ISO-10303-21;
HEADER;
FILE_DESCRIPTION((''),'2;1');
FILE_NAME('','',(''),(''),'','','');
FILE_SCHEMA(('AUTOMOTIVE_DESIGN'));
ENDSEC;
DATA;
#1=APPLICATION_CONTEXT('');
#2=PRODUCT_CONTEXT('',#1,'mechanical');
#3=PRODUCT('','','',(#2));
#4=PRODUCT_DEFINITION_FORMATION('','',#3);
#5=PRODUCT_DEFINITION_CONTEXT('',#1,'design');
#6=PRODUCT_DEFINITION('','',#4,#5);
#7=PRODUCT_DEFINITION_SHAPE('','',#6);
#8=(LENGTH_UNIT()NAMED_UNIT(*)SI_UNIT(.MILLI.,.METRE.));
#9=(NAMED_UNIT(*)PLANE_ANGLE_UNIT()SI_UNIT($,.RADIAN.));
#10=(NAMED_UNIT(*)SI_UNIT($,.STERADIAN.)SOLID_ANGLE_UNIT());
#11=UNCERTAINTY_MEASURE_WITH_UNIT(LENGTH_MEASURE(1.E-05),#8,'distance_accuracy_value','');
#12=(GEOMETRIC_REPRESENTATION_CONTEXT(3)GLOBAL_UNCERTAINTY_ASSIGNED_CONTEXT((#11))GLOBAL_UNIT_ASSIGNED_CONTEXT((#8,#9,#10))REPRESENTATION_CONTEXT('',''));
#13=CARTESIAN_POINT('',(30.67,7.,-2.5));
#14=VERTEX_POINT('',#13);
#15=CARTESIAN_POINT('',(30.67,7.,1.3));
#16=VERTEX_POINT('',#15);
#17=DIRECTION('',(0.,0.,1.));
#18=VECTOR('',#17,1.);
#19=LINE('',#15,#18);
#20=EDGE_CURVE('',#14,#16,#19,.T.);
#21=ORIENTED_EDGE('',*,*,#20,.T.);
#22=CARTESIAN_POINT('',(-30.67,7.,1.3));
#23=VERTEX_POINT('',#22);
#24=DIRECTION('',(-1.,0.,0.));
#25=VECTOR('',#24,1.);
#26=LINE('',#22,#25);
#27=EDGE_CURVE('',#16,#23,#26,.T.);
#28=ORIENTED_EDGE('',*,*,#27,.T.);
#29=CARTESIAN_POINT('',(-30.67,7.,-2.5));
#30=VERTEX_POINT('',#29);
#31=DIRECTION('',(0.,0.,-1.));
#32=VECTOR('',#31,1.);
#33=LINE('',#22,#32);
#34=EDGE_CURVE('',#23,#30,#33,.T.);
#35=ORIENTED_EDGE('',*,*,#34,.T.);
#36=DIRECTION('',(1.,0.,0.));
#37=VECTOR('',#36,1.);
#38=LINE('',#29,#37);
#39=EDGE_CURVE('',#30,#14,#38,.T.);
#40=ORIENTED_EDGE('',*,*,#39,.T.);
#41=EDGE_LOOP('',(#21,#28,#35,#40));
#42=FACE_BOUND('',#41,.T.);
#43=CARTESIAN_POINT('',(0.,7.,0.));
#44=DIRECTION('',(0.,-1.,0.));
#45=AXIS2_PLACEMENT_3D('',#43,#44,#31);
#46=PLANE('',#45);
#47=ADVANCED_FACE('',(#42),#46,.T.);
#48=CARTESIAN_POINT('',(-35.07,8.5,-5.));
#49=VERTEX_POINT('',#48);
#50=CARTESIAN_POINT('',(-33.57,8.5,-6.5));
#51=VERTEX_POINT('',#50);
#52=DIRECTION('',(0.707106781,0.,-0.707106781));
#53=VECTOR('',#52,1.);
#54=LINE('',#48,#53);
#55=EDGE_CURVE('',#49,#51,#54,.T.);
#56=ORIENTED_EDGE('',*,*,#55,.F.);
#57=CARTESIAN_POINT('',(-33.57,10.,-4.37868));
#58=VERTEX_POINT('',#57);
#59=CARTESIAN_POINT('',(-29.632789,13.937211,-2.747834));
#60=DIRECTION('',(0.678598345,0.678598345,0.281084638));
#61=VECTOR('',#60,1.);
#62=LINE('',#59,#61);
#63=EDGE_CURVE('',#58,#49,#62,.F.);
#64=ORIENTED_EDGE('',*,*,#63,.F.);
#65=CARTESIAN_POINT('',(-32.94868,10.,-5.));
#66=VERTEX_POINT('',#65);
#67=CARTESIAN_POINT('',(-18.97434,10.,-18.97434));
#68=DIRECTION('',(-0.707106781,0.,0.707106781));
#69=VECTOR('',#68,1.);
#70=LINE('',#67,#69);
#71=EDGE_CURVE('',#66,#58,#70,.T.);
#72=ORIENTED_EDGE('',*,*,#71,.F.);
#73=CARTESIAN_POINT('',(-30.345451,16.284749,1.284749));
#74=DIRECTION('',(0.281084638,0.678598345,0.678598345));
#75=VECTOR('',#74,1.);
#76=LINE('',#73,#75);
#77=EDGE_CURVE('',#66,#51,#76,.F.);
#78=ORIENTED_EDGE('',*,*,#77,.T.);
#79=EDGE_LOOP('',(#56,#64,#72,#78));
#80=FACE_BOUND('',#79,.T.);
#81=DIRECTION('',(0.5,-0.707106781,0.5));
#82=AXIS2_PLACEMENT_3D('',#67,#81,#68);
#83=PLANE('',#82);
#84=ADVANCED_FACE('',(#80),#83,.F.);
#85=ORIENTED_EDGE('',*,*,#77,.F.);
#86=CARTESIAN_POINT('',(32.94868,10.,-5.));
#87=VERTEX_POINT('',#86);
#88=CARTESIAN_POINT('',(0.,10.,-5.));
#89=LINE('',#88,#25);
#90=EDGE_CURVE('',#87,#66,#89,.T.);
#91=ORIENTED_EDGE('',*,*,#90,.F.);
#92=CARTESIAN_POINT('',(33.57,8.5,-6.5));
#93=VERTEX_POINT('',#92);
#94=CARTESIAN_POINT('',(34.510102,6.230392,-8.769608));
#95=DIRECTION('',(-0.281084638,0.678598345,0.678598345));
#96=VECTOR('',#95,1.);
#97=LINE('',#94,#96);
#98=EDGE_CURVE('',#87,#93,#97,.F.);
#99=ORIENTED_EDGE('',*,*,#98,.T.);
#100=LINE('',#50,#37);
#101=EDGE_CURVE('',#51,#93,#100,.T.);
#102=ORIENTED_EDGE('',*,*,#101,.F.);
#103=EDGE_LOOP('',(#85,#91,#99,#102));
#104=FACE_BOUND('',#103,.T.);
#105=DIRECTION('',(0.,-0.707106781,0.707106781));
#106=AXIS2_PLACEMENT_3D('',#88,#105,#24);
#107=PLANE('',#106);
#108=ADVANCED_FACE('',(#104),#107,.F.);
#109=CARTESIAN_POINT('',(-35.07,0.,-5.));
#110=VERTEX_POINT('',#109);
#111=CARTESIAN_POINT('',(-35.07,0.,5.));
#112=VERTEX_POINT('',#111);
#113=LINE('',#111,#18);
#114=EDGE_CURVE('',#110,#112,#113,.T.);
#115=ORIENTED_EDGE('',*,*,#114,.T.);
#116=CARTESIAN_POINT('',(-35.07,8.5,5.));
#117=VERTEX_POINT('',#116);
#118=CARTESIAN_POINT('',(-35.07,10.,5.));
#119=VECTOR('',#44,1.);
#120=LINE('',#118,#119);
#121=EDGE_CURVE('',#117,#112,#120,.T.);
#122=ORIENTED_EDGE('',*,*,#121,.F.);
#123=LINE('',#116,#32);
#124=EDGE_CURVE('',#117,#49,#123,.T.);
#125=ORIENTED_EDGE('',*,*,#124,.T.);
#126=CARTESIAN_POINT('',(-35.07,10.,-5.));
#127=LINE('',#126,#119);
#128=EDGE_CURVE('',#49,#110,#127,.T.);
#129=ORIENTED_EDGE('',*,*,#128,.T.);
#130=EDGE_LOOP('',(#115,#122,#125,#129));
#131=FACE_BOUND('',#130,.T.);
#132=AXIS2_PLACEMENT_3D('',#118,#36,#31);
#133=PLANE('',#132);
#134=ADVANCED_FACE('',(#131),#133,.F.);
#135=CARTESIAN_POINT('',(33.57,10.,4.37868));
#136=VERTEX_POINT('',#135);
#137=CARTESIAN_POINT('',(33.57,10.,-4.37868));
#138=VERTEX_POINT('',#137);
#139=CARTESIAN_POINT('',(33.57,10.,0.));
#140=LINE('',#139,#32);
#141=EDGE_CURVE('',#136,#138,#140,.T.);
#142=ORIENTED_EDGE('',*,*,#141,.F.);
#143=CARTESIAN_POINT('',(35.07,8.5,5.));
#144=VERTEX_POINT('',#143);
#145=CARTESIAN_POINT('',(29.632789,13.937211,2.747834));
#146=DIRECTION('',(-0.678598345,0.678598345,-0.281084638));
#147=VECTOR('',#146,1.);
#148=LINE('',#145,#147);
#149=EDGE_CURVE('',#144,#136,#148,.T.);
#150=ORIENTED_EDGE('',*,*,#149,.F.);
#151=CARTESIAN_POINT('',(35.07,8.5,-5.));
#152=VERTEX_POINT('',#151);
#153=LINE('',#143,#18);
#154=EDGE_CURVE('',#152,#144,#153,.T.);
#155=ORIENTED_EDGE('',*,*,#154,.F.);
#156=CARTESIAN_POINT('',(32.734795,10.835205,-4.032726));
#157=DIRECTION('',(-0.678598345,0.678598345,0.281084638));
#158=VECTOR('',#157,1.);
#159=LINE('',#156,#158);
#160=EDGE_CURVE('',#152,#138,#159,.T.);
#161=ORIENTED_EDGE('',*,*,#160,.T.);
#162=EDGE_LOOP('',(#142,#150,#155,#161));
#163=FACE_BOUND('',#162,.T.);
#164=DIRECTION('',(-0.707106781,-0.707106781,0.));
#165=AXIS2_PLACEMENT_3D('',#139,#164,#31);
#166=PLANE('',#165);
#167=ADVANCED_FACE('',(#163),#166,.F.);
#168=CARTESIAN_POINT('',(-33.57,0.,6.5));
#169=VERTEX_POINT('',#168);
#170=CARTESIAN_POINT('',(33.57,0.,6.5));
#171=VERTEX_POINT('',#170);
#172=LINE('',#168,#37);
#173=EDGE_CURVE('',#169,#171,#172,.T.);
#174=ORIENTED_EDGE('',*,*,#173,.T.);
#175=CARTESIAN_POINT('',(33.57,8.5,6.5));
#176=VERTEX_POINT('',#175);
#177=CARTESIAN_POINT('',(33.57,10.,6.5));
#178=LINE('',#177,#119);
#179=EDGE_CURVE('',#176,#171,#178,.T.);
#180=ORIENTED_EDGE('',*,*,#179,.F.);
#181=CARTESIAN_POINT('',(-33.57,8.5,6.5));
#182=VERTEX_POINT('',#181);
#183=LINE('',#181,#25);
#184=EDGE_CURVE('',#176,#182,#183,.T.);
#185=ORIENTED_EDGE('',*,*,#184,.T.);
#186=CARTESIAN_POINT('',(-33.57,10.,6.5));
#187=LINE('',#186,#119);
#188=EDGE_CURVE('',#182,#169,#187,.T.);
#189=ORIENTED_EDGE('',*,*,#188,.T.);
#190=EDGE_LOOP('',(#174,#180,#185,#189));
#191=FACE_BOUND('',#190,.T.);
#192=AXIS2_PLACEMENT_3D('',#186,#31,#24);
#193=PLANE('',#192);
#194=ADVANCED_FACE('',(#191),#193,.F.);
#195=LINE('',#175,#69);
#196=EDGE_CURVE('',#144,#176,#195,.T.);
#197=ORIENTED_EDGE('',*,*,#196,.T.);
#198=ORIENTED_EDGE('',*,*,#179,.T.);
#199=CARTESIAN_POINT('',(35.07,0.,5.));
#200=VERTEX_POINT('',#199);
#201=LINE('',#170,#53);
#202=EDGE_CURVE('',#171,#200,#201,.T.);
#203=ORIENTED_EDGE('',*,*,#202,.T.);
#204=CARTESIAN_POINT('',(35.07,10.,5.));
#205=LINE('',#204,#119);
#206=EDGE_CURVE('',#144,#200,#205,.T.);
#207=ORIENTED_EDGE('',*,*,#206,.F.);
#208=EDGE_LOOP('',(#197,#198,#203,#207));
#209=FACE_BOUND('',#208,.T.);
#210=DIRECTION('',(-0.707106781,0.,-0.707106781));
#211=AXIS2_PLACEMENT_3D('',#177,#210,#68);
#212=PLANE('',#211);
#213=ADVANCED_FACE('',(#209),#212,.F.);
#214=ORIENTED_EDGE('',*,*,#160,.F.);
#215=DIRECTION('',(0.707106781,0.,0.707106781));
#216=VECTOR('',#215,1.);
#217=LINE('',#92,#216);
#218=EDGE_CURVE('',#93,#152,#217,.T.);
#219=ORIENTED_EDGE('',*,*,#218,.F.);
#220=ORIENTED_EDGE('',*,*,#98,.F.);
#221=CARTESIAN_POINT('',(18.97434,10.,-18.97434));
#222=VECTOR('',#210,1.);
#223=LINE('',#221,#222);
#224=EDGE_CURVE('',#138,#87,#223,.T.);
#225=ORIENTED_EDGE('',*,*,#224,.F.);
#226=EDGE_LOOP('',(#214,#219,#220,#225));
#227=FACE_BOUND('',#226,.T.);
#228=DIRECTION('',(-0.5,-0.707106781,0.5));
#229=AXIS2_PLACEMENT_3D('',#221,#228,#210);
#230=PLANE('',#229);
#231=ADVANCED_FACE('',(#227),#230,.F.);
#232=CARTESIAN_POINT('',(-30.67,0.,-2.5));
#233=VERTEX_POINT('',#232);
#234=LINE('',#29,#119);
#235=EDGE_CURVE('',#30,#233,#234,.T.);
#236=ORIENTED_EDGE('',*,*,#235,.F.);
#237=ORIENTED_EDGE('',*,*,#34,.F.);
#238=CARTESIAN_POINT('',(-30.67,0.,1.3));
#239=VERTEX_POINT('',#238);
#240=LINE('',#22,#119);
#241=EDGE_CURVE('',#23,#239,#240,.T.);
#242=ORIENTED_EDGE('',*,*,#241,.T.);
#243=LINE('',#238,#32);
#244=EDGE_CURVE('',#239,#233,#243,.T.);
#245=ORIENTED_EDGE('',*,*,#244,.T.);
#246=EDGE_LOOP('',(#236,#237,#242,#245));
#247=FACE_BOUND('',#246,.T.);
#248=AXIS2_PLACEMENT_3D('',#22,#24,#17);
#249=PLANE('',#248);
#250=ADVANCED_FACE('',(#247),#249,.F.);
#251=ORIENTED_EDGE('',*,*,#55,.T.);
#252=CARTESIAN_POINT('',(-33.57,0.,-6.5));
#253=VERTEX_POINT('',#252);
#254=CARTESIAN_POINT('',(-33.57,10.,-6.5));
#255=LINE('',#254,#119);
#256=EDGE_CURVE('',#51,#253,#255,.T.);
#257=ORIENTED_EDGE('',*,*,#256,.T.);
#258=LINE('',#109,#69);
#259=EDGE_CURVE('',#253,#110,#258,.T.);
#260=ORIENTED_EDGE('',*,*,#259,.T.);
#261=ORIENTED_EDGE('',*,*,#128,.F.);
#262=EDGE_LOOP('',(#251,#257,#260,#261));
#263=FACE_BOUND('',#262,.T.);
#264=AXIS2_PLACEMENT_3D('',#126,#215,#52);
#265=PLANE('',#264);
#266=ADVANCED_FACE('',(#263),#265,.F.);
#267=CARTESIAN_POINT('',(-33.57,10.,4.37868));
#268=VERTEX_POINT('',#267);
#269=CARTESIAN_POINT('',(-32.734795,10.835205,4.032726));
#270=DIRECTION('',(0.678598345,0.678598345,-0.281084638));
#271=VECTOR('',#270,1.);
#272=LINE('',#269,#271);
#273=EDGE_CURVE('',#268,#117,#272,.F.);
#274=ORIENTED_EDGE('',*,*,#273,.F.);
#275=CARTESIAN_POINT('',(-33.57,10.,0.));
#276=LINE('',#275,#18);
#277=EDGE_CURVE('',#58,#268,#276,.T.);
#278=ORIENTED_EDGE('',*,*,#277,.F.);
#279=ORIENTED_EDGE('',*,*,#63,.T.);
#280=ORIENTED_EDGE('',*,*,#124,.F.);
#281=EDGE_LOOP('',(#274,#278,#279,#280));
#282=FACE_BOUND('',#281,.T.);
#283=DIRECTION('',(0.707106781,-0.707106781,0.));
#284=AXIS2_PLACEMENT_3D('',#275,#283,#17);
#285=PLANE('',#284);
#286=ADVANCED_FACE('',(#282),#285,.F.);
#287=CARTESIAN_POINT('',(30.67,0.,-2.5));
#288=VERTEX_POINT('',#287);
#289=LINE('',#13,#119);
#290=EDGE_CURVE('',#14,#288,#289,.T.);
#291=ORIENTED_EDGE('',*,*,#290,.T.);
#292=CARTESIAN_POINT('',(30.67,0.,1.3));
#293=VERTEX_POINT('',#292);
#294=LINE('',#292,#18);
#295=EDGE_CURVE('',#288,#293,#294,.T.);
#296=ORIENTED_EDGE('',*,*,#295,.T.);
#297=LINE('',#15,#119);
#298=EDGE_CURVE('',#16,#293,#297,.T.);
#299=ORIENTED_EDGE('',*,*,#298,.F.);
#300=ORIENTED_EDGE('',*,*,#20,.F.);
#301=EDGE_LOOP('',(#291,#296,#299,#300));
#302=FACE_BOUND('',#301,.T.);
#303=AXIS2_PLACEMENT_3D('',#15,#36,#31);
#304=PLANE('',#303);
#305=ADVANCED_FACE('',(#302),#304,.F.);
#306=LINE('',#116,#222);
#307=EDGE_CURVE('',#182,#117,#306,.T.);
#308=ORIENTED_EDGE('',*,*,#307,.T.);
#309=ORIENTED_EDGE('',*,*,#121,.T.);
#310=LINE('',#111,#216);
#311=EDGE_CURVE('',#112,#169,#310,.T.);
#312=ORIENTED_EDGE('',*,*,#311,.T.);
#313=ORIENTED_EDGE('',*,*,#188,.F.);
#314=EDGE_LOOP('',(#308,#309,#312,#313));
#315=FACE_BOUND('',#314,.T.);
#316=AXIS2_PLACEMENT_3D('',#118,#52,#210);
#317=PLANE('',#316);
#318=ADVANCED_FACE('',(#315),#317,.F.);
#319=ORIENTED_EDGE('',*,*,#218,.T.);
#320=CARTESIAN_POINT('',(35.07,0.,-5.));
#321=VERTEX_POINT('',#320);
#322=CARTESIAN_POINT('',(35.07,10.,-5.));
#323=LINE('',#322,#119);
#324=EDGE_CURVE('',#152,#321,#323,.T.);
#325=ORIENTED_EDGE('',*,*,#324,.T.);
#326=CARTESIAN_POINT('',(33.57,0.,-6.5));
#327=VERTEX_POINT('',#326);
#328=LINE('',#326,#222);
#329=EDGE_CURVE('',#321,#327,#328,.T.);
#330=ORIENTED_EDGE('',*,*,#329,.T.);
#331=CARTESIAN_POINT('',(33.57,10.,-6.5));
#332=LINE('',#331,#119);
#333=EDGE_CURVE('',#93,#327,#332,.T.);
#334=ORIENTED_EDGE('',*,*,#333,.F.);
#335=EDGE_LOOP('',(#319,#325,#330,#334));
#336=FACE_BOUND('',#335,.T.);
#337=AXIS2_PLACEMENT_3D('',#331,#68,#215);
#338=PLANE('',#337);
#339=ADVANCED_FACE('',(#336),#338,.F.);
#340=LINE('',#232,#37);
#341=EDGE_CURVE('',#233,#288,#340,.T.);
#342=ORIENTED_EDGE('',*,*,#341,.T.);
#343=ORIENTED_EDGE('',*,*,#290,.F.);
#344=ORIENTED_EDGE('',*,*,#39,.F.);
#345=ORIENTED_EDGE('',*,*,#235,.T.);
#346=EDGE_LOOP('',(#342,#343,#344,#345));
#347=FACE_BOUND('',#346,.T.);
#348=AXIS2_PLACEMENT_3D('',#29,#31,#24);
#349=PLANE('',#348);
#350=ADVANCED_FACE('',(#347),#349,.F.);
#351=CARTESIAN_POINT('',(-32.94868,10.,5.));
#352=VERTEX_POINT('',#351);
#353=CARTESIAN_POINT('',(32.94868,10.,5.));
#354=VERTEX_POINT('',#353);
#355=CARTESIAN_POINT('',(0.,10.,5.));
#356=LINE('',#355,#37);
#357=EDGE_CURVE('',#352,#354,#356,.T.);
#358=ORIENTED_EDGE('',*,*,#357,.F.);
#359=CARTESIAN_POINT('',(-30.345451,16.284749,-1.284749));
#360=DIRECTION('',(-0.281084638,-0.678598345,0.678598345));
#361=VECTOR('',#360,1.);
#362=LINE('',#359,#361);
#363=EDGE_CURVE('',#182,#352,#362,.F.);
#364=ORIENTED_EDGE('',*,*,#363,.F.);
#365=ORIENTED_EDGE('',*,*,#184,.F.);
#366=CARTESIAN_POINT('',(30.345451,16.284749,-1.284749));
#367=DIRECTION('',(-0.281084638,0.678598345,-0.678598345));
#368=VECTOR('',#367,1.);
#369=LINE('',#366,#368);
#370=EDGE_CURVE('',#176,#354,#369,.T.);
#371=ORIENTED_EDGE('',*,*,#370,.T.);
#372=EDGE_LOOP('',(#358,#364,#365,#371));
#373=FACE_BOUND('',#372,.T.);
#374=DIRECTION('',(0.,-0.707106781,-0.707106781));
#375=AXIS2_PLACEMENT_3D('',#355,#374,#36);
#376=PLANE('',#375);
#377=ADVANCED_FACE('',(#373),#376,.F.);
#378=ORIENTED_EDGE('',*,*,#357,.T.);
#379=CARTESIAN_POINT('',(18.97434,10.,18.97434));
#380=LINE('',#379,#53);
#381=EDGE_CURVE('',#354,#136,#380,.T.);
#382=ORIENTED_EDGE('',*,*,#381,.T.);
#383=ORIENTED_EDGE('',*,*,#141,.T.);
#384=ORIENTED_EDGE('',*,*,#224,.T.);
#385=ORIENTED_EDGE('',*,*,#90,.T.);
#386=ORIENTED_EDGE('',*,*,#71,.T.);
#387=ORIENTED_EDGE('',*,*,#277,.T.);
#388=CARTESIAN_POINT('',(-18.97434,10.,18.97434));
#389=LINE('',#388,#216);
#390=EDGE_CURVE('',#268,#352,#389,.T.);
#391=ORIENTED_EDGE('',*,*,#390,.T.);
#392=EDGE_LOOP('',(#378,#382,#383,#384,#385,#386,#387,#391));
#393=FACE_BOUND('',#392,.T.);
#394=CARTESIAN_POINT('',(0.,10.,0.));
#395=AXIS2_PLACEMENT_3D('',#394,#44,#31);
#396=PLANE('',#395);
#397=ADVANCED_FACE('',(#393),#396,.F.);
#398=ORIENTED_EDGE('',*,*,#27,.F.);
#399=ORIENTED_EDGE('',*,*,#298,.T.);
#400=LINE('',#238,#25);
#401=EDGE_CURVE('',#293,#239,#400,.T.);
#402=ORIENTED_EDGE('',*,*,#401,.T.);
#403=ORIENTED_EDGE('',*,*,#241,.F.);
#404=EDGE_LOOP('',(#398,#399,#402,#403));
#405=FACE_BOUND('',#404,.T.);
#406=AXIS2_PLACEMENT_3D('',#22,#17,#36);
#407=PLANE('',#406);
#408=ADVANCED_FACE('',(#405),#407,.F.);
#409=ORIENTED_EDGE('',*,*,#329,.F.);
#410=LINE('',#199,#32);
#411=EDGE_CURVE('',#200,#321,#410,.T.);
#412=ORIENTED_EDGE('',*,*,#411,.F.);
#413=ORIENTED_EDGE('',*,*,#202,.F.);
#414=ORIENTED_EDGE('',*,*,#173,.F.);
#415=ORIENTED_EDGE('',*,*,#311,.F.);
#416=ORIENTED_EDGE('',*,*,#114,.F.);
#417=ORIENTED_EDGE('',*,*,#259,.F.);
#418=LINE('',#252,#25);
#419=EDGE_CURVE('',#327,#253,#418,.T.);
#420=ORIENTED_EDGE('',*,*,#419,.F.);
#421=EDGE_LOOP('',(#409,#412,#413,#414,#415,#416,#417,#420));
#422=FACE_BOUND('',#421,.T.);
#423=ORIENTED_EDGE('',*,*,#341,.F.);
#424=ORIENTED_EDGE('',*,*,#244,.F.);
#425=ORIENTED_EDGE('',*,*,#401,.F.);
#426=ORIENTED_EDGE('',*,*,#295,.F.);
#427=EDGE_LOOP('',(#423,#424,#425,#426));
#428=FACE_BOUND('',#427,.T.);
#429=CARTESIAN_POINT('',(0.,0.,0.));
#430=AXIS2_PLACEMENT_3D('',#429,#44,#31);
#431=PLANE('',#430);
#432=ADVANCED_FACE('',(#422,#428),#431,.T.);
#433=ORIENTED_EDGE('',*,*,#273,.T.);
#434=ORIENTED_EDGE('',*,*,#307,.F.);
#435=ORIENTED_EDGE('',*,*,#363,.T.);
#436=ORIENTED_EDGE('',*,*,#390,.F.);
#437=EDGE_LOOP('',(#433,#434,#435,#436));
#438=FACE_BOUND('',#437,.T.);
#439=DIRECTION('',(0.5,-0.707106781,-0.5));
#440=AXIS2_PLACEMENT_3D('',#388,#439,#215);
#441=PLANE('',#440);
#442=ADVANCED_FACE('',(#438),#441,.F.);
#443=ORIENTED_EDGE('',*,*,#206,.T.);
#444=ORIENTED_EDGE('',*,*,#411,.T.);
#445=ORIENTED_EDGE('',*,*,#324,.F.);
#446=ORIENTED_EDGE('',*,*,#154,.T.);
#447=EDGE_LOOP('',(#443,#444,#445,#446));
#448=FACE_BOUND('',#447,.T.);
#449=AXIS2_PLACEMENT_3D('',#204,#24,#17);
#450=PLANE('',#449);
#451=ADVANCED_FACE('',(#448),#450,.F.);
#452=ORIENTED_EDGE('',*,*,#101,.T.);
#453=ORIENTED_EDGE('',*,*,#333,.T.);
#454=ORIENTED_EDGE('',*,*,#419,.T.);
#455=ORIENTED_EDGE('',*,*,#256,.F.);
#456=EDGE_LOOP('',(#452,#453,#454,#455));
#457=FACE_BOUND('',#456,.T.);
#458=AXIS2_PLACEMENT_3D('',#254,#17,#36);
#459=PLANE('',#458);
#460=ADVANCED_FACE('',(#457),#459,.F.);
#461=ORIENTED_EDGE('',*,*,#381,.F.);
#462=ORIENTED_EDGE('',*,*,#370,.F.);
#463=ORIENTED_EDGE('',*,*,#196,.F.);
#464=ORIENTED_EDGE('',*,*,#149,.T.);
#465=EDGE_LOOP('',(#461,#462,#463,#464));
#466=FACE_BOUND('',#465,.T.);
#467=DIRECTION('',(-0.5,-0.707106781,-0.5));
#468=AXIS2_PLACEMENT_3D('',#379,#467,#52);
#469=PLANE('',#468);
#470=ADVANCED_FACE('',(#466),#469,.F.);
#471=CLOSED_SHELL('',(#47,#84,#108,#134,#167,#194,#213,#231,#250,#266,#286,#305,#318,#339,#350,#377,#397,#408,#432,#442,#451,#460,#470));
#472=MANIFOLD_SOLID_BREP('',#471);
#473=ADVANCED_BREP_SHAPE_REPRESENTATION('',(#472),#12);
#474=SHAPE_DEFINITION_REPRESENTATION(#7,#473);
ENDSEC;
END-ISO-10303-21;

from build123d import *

# Parameters (mm, degrees)
BOSS_EXTRUDE1_DEPTH = 10
CHAMFER1_SIZE       = 1.5
SKETCH2_W           = 61.34
SKETCH2_H           = 3.8
CUT_EXTRUDE1_DEPTH  = 7


with BuildPart() as part:
    # Sketch1 → Boss-Extrude1 (new body)
    with BuildSketch(Plane(origin=(0, 0, 0), x_dir=(1, 0, 0), z_dir=(0, 1, 0))):
        Polygon((-35.07, 5), (-33.57, 6.5), (33.57, 6.5), (35.07, 5), (35.07, -5), (33.57, -6.5), (-33.57, -6.5), (-35.07, -5), align=None)
    extrude(amount=BOSS_EXTRUDE1_DEPTH)

    # Chamfer1
    chamfer1_edges = [part.edges().sort_by_distance(p)[0] for p in [
        (0, 10, 6.5),
        (34.32, 10, 5.75),
        (35.07, 10, 0),
        (34.32, 10, -5.75),
        (0, 10, -6.5),
        (-34.32, 10, -5.75),
        (-35.07, 10, 0),
        (-34.32, 10, 5.75),
    ]]
    chamfer(chamfer1_edges, length=CHAMFER1_SIZE)

    # Sketch2 → Cut-Extrude1 (cut)
    with BuildSketch(Plane.XZ):
        with Locations((0, -0.6)):
            Rectangle(SKETCH2_W, SKETCH2_H)
    extrude(amount=-CUT_EXTRUDE1_DEPTH, mode=Mode.SUBTRACT)


solid = part.part
